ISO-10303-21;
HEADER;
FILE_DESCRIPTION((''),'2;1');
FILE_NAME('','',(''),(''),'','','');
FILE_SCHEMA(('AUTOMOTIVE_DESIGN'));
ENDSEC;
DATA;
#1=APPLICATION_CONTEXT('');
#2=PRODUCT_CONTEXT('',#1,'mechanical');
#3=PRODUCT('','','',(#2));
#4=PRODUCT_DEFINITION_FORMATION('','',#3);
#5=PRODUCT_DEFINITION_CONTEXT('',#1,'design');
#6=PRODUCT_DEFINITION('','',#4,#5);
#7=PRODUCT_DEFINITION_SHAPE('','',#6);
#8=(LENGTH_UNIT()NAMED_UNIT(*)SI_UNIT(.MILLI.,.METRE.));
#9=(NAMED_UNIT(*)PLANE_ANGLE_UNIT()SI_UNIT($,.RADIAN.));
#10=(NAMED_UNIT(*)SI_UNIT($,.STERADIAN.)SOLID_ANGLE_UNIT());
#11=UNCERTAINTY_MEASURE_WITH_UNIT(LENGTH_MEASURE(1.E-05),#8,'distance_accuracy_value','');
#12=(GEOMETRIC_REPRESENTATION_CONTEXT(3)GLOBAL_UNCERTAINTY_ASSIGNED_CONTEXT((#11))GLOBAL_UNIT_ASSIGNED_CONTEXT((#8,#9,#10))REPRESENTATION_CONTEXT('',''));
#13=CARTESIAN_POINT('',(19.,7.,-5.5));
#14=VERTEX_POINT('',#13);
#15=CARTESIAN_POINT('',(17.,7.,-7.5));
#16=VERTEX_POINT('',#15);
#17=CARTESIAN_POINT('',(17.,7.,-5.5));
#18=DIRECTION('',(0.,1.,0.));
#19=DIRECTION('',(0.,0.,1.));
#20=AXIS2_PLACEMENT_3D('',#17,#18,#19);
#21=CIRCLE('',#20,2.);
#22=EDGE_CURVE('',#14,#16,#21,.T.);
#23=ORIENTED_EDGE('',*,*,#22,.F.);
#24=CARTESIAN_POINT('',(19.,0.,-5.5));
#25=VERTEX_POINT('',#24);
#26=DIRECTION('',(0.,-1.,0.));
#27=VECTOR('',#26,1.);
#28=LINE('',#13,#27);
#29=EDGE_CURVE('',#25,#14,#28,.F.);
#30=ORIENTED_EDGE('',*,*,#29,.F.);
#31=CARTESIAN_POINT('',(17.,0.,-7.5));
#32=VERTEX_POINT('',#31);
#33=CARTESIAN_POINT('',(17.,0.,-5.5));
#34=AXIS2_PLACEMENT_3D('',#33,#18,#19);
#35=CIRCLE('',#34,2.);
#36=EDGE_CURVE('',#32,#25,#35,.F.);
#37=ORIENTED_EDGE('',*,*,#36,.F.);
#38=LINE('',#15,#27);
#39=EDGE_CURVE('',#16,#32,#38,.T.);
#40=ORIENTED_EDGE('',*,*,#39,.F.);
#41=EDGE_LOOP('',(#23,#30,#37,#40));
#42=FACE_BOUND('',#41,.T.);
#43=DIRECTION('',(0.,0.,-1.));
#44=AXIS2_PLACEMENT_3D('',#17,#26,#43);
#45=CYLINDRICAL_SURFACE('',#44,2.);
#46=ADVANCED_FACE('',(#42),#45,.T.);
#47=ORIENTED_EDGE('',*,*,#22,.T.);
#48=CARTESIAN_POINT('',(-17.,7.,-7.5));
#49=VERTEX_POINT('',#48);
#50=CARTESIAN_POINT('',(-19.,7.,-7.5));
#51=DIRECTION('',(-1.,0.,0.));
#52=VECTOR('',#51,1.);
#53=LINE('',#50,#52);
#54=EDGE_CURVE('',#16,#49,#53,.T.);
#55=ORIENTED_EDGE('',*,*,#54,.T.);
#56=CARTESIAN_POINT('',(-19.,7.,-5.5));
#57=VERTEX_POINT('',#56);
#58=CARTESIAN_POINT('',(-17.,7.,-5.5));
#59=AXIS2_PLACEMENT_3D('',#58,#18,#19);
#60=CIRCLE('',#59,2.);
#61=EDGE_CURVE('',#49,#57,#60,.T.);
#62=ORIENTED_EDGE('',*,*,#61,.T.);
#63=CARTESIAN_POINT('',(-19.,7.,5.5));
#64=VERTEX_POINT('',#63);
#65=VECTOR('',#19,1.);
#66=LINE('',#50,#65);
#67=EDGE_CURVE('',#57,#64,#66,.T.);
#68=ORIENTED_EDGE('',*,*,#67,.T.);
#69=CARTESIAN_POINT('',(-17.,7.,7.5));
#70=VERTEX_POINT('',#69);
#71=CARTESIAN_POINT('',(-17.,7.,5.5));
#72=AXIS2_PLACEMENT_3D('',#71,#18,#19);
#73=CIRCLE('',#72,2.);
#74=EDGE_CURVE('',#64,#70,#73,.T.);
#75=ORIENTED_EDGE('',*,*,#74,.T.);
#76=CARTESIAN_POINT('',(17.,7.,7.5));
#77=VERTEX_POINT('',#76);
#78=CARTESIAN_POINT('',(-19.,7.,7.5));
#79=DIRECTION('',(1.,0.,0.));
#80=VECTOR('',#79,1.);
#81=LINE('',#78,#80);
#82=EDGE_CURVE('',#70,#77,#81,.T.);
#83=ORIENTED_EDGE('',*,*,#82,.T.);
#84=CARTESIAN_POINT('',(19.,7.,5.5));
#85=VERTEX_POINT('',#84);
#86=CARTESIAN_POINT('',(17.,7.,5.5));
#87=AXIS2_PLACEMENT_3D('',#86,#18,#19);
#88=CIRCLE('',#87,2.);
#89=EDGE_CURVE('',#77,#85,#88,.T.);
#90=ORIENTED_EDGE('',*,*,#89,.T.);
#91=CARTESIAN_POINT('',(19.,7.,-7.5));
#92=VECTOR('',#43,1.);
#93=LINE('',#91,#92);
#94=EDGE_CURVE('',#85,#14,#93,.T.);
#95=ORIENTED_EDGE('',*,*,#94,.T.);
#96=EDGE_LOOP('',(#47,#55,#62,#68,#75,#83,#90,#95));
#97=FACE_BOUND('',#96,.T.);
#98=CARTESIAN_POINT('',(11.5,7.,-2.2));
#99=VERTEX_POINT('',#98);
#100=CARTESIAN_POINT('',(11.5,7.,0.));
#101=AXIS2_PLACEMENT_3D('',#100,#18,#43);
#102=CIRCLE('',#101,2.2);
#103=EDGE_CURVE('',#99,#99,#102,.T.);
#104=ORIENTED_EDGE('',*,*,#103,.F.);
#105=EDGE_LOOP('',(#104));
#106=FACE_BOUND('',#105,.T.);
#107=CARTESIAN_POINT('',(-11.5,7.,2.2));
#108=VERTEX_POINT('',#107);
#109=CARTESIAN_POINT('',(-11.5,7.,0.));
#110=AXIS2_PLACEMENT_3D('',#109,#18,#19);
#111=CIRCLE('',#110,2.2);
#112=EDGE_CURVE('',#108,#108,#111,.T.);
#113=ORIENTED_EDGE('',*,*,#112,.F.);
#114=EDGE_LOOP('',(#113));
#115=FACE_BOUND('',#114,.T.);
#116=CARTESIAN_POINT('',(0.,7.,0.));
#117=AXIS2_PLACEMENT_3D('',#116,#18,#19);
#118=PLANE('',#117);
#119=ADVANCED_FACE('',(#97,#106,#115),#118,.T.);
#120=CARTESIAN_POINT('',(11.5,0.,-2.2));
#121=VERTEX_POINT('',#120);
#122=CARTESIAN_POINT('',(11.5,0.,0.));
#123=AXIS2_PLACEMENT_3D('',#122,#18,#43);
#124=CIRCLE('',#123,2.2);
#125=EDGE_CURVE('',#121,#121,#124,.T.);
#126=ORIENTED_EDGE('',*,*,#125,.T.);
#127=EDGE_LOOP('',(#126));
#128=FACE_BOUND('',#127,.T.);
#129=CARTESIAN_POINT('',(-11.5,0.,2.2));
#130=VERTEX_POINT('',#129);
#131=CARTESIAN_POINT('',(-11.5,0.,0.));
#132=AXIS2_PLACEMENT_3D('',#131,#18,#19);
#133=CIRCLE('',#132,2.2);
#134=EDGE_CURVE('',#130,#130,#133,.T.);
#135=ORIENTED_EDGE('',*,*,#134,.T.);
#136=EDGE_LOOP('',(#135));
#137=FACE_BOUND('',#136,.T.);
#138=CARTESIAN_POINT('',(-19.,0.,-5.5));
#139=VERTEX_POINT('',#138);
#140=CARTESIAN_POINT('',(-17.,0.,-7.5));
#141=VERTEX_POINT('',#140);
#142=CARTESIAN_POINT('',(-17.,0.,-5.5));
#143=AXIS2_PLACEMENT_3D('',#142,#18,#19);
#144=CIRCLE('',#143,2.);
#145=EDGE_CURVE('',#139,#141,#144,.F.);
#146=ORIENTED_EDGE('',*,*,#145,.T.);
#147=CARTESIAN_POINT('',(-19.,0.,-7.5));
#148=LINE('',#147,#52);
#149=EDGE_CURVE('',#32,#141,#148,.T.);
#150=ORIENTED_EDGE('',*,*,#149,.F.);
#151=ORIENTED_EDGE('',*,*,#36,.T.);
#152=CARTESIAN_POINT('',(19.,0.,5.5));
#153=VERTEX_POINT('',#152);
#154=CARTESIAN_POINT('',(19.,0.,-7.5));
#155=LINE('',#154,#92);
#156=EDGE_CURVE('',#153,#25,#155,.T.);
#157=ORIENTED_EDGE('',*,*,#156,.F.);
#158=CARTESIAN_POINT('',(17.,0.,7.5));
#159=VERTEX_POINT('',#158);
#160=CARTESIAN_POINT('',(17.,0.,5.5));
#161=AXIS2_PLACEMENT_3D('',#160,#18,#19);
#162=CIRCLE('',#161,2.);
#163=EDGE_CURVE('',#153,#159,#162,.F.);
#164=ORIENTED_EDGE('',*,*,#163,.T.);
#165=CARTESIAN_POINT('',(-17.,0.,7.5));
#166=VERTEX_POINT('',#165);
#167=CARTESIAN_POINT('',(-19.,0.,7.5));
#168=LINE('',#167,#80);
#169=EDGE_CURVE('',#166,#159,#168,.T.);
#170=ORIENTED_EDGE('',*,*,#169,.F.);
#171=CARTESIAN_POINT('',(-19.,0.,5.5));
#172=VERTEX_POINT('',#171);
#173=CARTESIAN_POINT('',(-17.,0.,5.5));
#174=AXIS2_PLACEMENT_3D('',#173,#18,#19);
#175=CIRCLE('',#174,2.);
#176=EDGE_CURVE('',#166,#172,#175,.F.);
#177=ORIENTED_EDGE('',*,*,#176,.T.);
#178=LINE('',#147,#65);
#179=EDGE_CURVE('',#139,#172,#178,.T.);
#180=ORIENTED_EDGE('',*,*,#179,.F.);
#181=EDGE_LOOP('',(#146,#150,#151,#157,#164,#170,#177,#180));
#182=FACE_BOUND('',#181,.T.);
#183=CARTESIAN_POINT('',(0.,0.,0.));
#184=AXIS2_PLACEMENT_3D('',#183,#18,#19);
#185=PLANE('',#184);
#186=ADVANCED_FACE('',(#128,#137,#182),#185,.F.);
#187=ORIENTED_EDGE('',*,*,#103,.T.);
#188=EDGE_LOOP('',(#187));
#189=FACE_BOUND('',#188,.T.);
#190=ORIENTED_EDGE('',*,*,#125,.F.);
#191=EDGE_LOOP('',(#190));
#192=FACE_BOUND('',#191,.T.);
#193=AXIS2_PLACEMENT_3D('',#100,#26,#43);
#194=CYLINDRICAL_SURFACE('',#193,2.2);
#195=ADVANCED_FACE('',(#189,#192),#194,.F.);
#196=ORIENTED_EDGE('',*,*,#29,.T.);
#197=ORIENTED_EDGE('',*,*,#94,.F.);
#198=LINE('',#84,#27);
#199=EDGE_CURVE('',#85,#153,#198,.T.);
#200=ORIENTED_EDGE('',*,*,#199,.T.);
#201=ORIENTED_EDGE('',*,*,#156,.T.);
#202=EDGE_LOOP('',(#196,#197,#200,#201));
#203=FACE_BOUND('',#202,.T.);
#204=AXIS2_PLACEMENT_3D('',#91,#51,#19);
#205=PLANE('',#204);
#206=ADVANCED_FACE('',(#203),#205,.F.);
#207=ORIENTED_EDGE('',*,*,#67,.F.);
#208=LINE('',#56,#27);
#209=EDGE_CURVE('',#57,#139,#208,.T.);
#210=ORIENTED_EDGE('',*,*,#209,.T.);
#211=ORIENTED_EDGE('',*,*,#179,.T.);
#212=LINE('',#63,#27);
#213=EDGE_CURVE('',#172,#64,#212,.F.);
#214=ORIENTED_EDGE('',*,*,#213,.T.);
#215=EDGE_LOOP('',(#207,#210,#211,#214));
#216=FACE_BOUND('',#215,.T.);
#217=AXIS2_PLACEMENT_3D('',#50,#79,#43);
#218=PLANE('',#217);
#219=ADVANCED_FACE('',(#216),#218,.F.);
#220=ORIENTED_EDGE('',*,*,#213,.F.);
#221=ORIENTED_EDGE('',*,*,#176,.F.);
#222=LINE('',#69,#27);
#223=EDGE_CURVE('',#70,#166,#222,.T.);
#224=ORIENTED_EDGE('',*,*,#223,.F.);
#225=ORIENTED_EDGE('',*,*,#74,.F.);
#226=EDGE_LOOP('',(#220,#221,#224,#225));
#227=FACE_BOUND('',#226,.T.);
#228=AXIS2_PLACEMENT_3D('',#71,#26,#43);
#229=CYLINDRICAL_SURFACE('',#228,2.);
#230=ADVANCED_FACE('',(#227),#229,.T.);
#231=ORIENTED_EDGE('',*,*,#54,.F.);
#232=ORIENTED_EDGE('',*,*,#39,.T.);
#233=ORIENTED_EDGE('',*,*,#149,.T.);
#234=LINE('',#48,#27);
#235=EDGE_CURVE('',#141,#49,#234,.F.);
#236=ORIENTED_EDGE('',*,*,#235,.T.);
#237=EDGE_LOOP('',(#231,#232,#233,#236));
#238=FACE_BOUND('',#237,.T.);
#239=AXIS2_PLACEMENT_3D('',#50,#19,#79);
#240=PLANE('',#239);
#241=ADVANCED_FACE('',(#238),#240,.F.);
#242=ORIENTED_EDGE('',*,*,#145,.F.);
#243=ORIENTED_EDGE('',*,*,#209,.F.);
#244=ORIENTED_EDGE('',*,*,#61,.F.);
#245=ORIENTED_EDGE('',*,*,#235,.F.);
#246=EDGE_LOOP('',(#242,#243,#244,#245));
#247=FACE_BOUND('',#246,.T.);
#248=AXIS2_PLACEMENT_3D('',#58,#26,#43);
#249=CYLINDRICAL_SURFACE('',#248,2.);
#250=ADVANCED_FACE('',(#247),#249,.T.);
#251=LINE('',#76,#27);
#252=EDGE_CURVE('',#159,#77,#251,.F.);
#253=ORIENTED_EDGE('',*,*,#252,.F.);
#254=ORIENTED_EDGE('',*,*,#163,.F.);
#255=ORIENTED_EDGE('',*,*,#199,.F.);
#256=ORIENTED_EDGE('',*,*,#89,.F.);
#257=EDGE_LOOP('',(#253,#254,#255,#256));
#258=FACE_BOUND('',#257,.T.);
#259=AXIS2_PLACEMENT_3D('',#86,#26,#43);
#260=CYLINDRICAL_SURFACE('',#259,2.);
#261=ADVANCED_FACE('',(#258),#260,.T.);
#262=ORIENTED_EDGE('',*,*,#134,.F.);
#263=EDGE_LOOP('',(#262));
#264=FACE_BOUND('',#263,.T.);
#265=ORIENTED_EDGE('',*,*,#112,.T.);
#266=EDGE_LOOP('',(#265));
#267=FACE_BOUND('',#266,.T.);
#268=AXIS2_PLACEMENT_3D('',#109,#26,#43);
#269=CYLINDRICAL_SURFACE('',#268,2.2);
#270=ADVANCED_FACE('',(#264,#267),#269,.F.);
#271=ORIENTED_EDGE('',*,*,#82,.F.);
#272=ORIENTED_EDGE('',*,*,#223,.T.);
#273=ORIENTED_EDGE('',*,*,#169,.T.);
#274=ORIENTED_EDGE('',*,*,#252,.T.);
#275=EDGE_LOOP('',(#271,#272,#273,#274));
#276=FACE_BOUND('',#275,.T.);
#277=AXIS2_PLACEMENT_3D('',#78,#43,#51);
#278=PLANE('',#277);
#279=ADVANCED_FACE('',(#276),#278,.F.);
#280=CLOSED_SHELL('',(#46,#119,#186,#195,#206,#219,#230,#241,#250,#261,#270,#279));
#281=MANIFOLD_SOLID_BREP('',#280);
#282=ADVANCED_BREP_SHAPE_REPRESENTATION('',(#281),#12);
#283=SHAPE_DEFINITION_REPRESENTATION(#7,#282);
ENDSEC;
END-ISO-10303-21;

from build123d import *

# Parameters (mm, degrees)
SKETCH_1_W      = 38
SKETCH_1_H      = 15
SKETCH_1_R      = 2.2
EXTRUDE_1_DEPTH = 7
FILLET_1_R      = 2


with BuildPart() as part:
    # 草图1 → 凸台-拉伸1 (new body)
    with BuildSketch(Plane(origin=(0, 0, 0), x_dir=(1, 0, 0), z_dir=(0, 1, 0))):
        Rectangle(SKETCH_1_W, SKETCH_1_H)
        with Locations(Location((-11.5, 0, 0), (0, 0, 270))):
            Circle(SKETCH_1_R, mode=Mode.SUBTRACT)
        with Locations(Location((11.5, 0, 0), (0, 0, 90))):
            Circle(SKETCH_1_R, mode=Mode.SUBTRACT)
    extrude(amount=EXTRUDE_1_DEPTH)

    # 圆角1
    fillet_1_edges = [part.edges().sort_by_distance(p)[0] for p in [
        (19, 3.5, 7.5),
        (-19, 3.5, 7.5),
        (-19, 3.5, -7.5),
        (19, 3.5, -7.5),
    ]]
    fillet(fillet_1_edges, radius=FILLET_1_R)


solid = part.part
